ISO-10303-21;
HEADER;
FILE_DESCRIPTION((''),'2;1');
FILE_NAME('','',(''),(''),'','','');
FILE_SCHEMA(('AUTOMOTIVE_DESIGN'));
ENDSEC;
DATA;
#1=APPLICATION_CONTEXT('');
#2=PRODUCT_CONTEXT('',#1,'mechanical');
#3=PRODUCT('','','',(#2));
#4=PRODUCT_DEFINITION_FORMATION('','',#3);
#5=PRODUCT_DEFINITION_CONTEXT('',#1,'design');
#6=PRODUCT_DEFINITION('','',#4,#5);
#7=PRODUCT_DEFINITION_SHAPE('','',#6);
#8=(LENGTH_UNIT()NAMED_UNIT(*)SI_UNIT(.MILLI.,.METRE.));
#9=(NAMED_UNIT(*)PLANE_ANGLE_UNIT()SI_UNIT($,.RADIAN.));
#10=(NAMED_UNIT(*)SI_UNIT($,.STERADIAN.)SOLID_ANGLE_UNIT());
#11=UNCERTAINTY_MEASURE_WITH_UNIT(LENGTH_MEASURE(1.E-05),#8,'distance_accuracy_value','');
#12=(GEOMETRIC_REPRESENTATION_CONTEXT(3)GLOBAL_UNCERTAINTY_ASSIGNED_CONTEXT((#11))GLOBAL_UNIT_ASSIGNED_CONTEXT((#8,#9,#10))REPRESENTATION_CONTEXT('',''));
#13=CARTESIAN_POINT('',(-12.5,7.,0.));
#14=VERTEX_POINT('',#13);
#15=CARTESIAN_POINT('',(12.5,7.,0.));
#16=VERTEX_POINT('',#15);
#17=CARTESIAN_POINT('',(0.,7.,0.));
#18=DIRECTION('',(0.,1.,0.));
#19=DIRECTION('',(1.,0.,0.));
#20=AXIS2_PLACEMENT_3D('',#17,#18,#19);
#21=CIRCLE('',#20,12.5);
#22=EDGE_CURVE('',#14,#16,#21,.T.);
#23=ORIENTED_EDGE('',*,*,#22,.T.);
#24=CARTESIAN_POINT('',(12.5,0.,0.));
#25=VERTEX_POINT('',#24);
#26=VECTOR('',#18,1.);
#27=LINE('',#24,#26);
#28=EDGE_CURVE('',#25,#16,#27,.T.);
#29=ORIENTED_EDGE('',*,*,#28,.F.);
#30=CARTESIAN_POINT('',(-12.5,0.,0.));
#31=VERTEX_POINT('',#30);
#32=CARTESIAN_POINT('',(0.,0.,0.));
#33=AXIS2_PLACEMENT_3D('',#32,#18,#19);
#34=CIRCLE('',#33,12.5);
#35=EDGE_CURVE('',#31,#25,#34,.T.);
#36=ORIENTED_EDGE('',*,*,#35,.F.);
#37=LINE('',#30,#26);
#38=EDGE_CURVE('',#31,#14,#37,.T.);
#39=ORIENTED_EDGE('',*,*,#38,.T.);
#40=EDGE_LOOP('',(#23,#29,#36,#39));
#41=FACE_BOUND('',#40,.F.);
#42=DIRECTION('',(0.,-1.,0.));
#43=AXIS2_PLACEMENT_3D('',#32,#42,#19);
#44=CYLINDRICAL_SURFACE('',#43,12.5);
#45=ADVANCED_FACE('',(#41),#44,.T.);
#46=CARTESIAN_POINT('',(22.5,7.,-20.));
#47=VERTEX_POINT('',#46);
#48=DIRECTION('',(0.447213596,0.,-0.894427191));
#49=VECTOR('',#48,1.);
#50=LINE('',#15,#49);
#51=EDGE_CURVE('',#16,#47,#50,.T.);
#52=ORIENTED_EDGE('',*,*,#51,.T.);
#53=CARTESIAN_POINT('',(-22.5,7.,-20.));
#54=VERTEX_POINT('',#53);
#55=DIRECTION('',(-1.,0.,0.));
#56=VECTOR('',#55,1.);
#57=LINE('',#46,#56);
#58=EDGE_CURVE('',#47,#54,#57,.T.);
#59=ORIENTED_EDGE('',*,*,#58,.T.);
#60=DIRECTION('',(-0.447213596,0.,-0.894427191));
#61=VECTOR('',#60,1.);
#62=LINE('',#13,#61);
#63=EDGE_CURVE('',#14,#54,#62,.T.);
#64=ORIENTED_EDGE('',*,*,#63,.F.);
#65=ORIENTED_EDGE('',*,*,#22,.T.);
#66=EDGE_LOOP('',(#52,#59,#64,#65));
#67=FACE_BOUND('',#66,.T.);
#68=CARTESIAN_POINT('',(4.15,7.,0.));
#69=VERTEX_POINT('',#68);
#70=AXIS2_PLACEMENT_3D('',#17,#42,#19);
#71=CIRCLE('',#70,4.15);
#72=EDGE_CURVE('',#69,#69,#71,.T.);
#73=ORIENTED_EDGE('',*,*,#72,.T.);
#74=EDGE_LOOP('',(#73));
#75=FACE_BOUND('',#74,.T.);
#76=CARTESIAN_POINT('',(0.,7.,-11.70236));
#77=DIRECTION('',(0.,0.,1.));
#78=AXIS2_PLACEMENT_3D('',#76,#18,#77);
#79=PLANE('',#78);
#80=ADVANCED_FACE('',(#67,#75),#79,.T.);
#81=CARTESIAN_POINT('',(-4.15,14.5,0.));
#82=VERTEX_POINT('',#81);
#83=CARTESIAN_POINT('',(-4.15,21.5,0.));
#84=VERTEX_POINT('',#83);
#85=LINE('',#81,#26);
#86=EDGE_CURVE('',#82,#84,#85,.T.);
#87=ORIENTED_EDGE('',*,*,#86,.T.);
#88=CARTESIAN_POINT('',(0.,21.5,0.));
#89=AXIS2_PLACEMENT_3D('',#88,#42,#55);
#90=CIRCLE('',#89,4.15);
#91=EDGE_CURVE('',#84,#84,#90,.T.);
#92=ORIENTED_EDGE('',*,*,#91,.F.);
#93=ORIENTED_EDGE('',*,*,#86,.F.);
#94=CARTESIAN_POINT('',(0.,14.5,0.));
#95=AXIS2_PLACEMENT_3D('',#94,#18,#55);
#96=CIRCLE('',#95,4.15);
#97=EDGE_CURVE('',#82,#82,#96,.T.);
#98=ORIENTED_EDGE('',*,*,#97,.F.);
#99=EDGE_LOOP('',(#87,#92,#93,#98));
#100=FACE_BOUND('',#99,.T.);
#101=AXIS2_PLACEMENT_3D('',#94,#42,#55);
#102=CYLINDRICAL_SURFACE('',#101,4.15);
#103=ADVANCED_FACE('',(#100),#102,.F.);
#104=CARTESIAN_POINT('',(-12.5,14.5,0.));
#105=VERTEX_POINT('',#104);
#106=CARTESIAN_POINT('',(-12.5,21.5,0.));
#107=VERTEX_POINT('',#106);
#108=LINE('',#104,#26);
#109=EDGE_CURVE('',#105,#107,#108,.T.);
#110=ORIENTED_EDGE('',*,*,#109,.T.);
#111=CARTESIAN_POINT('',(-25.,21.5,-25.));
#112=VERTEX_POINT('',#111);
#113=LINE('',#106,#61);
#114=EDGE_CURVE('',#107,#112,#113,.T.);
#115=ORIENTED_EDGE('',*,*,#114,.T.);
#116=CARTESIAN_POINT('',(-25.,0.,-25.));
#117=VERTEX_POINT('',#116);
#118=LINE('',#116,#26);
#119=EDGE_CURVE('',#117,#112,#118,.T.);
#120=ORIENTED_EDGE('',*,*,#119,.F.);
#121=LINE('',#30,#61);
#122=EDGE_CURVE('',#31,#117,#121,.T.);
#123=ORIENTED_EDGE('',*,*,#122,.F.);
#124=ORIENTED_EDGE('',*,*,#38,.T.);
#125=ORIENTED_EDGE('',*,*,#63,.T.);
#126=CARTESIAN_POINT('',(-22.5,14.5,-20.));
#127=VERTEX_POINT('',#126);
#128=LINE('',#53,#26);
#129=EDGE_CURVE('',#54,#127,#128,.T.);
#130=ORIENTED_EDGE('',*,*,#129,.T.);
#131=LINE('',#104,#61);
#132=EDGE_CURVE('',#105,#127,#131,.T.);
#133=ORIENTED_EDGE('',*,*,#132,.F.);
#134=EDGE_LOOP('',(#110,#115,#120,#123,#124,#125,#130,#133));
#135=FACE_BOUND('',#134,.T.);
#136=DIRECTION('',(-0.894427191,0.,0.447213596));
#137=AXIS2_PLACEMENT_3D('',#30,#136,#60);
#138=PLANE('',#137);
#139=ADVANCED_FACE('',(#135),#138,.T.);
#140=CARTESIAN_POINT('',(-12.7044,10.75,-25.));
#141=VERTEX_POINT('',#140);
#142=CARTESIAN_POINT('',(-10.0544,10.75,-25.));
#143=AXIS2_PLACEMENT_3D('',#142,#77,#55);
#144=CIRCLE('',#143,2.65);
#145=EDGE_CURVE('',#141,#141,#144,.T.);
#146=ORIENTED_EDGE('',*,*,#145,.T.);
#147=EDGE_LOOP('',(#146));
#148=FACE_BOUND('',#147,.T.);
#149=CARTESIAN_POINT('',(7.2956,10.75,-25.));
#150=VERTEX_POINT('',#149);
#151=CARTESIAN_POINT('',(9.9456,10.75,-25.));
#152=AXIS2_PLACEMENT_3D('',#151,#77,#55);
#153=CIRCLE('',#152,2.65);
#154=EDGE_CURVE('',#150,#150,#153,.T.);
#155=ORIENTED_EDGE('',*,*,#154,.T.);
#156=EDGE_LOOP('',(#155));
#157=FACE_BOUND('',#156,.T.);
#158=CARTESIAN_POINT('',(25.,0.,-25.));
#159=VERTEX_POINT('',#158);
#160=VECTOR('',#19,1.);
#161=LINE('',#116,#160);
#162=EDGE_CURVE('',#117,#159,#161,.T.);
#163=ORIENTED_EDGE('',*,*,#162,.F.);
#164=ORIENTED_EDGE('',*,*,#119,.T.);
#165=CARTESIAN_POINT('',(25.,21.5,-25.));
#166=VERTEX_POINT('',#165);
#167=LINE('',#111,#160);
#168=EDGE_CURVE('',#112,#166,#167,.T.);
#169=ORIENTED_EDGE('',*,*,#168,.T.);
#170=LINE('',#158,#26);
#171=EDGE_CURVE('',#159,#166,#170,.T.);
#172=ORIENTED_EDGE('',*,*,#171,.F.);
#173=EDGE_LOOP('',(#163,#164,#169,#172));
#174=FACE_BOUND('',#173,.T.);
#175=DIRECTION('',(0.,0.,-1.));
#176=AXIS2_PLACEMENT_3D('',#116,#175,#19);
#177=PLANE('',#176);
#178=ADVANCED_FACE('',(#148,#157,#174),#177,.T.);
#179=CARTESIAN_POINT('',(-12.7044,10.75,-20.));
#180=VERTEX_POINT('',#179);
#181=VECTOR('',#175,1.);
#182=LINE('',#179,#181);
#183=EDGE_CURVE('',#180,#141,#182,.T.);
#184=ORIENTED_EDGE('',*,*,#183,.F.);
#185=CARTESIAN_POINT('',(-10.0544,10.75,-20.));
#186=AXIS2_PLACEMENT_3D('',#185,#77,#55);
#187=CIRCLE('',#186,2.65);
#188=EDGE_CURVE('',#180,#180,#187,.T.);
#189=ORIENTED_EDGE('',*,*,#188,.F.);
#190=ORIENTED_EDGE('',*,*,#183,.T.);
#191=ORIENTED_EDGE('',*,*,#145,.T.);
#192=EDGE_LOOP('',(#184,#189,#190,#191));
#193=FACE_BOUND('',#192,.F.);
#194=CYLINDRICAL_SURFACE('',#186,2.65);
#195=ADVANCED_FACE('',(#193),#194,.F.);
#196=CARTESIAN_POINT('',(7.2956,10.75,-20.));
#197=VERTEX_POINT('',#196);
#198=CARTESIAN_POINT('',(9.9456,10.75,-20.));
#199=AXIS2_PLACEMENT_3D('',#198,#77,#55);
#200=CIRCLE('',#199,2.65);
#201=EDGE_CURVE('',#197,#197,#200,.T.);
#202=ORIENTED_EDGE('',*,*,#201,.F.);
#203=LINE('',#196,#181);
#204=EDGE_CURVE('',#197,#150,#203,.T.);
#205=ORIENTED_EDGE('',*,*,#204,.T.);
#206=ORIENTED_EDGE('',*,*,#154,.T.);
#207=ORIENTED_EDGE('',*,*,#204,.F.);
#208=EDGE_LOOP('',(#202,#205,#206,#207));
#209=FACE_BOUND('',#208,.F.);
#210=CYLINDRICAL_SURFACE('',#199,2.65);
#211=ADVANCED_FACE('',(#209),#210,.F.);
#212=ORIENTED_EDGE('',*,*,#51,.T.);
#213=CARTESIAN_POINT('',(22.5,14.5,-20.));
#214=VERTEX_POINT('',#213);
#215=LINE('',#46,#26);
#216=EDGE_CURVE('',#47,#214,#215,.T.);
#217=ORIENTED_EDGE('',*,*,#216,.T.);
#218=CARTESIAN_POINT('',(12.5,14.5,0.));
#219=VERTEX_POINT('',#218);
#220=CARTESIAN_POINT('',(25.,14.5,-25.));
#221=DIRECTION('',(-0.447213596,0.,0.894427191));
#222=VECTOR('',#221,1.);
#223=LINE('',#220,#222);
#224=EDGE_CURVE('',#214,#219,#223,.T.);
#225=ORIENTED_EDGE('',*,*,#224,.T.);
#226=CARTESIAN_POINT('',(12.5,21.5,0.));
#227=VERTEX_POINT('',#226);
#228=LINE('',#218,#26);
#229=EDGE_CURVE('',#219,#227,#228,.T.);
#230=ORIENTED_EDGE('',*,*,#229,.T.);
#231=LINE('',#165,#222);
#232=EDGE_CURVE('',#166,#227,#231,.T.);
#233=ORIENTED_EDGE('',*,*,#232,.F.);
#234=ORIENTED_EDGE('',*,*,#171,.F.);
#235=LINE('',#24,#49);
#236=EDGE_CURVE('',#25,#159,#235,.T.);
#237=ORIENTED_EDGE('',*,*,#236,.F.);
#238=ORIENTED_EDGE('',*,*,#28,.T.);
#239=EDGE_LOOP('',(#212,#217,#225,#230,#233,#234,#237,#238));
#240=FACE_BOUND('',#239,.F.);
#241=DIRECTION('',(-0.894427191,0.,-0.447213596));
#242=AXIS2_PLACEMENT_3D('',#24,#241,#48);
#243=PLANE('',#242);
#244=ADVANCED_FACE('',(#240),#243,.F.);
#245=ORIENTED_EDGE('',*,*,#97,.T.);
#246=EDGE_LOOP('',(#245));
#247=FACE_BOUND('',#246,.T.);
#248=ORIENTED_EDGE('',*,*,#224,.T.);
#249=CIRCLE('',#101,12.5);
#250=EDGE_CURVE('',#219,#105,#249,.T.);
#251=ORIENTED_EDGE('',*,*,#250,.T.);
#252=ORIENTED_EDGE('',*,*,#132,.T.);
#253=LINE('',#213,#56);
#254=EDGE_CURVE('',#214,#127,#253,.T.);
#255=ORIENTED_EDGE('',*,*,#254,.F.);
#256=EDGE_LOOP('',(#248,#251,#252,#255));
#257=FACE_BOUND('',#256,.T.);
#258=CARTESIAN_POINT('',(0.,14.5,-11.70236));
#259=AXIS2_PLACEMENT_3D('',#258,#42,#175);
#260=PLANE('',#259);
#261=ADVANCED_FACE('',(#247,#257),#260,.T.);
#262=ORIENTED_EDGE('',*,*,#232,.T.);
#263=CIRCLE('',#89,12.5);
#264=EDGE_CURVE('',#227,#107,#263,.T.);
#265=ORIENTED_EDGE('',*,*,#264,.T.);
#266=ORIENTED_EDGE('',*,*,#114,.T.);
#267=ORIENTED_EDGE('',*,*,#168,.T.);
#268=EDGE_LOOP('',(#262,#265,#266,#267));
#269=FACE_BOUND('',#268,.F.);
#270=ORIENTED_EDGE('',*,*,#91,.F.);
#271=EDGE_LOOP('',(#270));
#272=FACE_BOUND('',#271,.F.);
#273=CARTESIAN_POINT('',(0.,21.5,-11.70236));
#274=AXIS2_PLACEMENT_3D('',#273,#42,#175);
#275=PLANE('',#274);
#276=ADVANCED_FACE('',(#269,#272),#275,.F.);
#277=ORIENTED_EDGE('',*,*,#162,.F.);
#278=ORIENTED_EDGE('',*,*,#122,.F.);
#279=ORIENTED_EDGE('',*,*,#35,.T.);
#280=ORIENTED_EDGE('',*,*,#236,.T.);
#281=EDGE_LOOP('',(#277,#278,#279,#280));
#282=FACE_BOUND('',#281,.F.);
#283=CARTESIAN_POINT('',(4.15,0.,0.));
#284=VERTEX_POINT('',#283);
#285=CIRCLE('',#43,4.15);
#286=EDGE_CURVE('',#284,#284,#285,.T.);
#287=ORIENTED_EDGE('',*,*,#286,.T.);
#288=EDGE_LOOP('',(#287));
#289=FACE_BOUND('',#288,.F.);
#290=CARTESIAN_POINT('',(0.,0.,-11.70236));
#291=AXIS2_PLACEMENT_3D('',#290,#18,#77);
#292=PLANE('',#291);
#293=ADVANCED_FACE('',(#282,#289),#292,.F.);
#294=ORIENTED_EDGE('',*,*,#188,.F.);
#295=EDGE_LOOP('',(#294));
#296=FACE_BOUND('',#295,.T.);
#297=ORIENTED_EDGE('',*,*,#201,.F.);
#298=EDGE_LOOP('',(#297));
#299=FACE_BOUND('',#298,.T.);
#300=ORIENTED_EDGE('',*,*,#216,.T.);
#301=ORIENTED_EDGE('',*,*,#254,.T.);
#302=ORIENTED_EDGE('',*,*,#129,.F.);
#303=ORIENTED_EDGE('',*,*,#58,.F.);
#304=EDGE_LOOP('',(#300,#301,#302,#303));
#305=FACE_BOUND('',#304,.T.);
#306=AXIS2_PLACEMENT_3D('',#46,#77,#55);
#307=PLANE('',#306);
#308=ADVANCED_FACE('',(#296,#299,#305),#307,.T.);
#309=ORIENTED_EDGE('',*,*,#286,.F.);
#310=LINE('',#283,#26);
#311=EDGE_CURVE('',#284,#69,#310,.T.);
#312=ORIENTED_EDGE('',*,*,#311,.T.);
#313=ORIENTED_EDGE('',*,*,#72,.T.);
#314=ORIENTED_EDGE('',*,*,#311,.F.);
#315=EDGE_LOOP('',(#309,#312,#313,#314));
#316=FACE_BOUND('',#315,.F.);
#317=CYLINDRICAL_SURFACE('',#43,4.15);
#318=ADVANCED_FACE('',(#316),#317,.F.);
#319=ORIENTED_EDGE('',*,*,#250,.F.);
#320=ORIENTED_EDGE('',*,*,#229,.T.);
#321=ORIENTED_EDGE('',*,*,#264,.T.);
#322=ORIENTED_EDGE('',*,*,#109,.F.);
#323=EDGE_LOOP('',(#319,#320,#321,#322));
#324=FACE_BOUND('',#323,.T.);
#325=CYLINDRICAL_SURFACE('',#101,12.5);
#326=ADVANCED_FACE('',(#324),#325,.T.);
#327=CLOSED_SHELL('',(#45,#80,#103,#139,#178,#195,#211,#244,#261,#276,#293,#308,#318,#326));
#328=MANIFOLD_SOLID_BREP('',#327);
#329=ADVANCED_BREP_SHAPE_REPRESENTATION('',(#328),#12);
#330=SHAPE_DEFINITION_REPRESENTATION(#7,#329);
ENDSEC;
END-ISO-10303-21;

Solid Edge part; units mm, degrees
sketch "Sketch1" plane through (0, 0, 0) normal (0, -1, 0) x (1, 0, 0)
  line L0 (12.5, 0) -> (25, -25)
  line L1 (-25, -25) -> (25, -25)
  line L2 (-12.5, 0) -> (-25, -25)
  arc A0 (-12.5, 0) -> (12.5, 0) centre (0, 0) cw
extrude "Protrusion1" add sketch "Sketch1" against normal blind 7
sketch "Sketch2" plane through (0, 0, 0) normal (0, -1, 0) x (1, 0, 0)
  circle A0 centre (0, 0) radius 4.15
extrude "Cutout1" cut sketch "Sketch2" against normal through all
sketch "Sketch3" plane through (0, 7, -6.25) normal (0, 1, 0) x (-1, 0, 0)
  line L0 (-22.5, -13.75) -> (22.5, -13.75)
  line L1 (22.5, -13.75) -> (25, -18.75)
  line L2 (25, -18.75) -> (-25, -18.75)
  line L3 (-25, -18.75) -> (-22.5, -13.75)
extrude "ExtrudedProtrusion_2" add sketch "Sketch3" along normal blind 7.5
sketch "Sketch4" plane through (0, 14.5, -22.5) normal (0, 1, 0) x (-1, 0, 0)
  line L0 (-25, -2.5) -> (-12.5, 22.5)
  line L1 (12.5, 22.5) -> (25, -2.5)
  line L2 (25, -2.5) -> (-25, -2.5)
  arc A0 (-12.5, 22.5) -> (12.5, 22.5) centre (0, 22.5) cw
extrude "ExtrudedProtrusion_3" add sketch "Sketch4" along normal blind 7
sketch "Sketch5" plane through (0, 14.5, -22.5) normal (0, 1, 0) x (-1, 0, 0)
  circle A0 centre (0, 22.5) radius 4.15
extrude "Cutout2" cut sketch "Sketch5" along normal through all
sketch "Sketch6" plane through (0, 10, -20) normal (0, 0, 1) x (-1, 0, 0)
  circle A0 centre (-9.9456, -0.75) radius 2.65
  circle A1 centre (10.0544, -0.75) radius 2.65
  dimension "D1" = 5.3
  dimension "D2" = 5.3
  dimension "D3" = 20
extrude "Cutout3" cut sketch "Sketch6" against normal through all
properties material "PLA"
